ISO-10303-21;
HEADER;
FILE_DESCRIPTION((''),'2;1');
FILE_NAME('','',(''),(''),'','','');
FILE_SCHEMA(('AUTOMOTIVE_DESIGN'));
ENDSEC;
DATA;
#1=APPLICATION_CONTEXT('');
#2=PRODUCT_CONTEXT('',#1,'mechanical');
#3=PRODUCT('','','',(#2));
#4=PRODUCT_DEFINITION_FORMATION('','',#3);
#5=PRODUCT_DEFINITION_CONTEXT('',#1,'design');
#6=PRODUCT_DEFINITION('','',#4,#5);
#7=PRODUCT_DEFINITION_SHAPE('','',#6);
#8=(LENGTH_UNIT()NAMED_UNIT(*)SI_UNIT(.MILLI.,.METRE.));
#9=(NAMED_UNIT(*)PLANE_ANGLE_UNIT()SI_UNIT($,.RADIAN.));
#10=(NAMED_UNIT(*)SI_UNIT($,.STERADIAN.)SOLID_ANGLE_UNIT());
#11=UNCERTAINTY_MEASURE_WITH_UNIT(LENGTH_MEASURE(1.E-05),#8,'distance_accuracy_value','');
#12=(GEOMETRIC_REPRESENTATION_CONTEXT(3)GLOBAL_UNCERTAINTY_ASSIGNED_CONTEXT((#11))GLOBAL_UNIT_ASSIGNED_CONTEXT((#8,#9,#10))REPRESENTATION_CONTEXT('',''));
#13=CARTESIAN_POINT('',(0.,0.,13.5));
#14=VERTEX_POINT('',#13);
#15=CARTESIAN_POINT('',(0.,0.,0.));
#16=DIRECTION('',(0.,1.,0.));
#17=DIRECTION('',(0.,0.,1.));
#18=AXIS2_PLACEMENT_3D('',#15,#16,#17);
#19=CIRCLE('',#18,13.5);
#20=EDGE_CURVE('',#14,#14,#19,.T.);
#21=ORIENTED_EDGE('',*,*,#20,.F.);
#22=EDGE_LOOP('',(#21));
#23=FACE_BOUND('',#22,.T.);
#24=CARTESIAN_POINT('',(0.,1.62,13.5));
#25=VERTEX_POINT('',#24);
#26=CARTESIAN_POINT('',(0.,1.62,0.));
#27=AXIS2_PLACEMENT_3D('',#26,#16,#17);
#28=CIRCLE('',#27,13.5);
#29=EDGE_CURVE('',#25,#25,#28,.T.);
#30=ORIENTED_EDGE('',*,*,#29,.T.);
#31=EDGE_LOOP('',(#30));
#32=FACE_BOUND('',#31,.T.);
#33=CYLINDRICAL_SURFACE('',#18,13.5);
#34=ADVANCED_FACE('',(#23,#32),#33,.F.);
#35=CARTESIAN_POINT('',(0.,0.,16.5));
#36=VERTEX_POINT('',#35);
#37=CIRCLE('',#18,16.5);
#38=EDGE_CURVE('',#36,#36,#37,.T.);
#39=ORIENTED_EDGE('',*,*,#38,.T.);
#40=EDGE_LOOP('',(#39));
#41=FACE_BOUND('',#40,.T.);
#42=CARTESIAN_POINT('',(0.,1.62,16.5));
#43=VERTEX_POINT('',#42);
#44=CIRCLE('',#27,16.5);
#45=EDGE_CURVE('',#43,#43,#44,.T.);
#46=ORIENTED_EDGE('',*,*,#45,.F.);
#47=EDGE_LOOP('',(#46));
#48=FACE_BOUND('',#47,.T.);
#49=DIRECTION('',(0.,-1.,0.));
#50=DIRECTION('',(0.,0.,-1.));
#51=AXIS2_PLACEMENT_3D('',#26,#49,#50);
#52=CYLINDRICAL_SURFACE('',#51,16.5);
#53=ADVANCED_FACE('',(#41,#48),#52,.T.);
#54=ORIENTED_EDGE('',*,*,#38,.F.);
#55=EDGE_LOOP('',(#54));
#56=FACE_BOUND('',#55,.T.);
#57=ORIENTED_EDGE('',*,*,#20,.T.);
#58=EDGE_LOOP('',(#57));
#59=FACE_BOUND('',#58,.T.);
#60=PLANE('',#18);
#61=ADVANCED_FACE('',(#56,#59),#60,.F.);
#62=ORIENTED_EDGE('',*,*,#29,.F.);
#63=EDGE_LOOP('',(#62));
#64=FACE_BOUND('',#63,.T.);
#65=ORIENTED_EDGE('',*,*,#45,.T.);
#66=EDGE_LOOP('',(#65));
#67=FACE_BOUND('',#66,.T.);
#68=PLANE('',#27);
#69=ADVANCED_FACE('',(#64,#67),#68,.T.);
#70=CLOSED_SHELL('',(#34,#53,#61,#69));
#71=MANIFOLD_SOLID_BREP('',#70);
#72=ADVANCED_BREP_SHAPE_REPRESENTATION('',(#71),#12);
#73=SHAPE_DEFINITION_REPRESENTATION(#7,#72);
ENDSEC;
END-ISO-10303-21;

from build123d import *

# Parameters (mm, degrees)
SKETCH1_R           = 16.5
BOSS_EXTRUDE1_DEPTH = 1.62
SKETCH2_R           = 13.5
CUT_EXTRUDE1_DEPTH  = 1.62


with BuildPart() as part:
    # Sketch1 → Boss-Extrude1 (new body)
    with BuildSketch(Plane(origin=(0, 0, 0), x_dir=(1, 0, 0), z_dir=(0, 1, 0))):
        with Locations(Location((0, 0, 0), (0, 0, 270))):
            Circle(SKETCH1_R)
    extrude(amount=BOSS_EXTRUDE1_DEPTH)

    # Sketch2 → Cut-Extrude1 (cut)
    with BuildSketch(Plane(origin=(0, 1.62, 0), x_dir=(1, 0, 0), z_dir=(0, 1, 0))):
        with Locations(Location((0, 0, 0), (0, 0, 270))):
            Circle(SKETCH2_R)
    extrude(amount=-CUT_EXTRUDE1_DEPTH, mode=Mode.SUBTRACT)


solid = part.part
